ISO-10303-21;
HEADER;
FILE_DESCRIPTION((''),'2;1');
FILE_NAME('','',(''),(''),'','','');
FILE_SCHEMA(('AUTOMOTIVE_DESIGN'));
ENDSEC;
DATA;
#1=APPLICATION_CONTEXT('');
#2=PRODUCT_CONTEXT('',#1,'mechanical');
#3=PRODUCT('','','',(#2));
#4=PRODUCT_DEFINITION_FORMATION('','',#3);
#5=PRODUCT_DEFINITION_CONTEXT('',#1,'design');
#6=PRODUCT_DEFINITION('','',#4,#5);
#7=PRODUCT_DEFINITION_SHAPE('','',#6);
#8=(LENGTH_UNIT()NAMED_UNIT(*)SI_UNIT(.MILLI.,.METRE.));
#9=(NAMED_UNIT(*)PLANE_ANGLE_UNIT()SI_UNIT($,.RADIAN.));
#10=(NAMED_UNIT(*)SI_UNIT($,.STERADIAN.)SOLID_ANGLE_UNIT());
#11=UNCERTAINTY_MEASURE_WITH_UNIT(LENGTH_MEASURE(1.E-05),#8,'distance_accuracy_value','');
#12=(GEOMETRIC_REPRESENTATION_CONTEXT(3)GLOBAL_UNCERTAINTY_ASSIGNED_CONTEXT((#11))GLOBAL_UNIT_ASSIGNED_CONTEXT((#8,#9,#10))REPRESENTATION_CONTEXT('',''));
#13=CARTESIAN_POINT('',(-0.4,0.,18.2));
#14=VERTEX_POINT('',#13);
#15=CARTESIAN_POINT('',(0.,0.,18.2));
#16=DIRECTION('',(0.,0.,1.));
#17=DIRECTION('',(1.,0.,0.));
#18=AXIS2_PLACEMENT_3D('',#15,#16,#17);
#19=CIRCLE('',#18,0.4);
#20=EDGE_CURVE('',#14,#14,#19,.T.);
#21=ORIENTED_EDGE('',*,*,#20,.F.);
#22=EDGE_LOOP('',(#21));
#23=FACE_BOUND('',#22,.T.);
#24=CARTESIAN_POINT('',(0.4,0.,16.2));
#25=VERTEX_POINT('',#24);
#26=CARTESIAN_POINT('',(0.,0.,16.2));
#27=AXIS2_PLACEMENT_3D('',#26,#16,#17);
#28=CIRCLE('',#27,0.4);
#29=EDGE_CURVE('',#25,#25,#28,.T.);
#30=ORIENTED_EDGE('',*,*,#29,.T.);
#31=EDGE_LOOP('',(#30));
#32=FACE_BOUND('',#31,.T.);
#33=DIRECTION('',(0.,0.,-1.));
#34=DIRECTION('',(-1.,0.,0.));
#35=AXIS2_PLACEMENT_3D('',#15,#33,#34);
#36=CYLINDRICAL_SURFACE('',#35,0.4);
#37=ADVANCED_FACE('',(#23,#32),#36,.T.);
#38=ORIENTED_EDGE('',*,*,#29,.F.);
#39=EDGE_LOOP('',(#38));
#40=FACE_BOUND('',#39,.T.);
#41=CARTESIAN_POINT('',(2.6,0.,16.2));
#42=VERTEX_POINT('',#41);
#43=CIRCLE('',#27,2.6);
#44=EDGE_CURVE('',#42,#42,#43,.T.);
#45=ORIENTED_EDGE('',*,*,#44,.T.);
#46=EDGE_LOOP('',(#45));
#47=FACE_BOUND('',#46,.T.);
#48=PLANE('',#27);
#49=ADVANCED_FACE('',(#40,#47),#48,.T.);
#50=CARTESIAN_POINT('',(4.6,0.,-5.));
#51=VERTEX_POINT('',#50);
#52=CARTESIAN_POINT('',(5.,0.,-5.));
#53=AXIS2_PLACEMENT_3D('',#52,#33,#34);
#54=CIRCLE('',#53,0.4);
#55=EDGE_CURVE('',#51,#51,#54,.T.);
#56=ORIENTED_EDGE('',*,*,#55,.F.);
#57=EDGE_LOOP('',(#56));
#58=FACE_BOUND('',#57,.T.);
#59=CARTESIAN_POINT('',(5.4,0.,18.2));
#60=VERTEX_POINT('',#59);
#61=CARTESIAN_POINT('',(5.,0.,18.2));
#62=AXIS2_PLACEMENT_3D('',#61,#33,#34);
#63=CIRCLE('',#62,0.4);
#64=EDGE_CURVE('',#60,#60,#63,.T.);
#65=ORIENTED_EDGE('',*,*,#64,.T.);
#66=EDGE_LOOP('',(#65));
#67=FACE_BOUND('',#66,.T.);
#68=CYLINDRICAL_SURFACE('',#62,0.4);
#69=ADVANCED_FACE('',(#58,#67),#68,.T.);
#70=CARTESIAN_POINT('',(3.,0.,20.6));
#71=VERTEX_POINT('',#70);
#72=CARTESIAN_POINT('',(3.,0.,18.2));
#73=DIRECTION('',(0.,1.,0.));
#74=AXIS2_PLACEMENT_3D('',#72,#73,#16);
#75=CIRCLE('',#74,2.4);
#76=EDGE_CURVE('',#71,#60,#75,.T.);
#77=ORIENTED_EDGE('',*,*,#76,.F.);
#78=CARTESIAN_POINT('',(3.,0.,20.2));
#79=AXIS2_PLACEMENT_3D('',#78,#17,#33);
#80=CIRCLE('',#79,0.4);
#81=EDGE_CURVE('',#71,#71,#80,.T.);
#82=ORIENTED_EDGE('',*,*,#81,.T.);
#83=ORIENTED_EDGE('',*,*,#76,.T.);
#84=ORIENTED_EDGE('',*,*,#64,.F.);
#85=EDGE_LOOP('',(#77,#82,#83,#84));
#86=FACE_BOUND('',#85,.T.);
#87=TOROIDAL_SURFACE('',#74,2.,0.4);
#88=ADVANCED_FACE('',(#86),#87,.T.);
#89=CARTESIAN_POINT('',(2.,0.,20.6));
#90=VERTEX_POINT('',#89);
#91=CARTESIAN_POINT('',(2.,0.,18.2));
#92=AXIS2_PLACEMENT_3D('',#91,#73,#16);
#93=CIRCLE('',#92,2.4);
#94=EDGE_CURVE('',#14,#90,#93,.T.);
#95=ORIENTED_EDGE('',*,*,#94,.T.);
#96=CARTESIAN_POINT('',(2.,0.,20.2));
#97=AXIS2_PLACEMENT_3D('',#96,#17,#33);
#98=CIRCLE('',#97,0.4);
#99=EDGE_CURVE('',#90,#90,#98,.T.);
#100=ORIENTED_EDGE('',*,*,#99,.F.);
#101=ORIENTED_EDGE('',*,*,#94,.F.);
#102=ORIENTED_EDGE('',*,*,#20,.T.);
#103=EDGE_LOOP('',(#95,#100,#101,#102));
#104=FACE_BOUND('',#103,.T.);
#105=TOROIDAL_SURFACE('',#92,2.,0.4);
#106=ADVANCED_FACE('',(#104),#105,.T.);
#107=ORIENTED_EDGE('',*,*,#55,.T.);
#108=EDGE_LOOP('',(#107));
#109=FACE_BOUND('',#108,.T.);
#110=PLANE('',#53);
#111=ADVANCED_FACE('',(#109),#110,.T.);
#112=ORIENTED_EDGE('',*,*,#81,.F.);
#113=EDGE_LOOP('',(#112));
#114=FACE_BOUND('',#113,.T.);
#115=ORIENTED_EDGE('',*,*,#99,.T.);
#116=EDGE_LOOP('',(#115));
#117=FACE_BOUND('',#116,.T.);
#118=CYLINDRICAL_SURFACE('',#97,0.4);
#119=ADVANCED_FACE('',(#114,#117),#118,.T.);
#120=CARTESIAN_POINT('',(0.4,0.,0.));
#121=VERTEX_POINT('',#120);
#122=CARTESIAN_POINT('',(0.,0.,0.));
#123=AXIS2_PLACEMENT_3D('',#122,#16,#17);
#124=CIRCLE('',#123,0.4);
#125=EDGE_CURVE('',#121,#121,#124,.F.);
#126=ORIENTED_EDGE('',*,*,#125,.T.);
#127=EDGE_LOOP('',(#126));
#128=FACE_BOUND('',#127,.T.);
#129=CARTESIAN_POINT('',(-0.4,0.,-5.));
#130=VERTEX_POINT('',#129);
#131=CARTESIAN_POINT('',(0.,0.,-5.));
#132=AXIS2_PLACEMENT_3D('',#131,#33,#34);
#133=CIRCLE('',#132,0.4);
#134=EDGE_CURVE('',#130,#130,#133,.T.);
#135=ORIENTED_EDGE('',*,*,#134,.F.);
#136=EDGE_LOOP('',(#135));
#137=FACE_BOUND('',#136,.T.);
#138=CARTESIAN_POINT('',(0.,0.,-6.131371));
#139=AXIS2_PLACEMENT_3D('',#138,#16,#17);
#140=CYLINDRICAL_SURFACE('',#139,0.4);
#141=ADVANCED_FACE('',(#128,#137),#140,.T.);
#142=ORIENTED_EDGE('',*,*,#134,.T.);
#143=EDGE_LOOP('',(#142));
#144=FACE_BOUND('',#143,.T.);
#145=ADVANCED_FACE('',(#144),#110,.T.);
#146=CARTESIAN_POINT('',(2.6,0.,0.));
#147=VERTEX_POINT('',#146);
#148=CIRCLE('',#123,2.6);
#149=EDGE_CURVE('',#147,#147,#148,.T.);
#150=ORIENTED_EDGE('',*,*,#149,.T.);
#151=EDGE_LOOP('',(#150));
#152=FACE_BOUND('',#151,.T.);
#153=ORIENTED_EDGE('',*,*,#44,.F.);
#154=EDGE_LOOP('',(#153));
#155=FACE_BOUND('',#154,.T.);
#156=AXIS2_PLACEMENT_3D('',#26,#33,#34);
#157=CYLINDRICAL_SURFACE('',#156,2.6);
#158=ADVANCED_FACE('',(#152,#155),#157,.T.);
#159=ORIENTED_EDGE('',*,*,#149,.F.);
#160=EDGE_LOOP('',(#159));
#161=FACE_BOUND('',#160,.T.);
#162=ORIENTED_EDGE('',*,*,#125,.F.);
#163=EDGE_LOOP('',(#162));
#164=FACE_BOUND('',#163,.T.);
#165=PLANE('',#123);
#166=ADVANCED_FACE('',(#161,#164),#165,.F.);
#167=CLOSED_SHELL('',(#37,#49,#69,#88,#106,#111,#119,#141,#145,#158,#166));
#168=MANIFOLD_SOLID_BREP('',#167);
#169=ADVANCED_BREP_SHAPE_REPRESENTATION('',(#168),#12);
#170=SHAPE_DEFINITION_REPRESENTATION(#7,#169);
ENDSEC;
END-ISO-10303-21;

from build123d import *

# Parameters (mm, degrees)
SKETCH2_R           = 2.6
RESISTOR_BODY_DEPTH = 16.2
LEAD1_PROFILE_R     = 0.4
SKETCH6_R           = 0.4
LEAD2_DEPTH         = 5


with BuildPart() as part:
    # Sketch2 → Resistor Body (new body)
    with BuildSketch(Plane.XY):
        Circle(SKETCH2_R)
    extrude(amount=RESISTOR_BODY_DEPTH)

    # Lead1: sweep along a path in Lead1 Path
    with BuildLine(Plane(origin=(0, 0, 0), x_dir=(1, 0, 0), z_dir=(0, 1, 0))) as lead1_path:
        Line((0, -16.2), (0, -18.2))
        ThreePointArc((0, -18.2), (0.585786438, -19.614213562), (2, -20.2))
        Line((2, -20.2), (3, -20.2))
        ThreePointArc((3, -20.2), (4.414213562, -19.614213562), (5, -18.2))
        Line((5, -18.2), (5, 5))
    # Lead1 Profile → Lead1 (sweep)
    with BuildSketch(Plane(origin=(0, 0, 16.2), x_dir=(-1, 0, 0), z_dir=(0, 0, 1))):
        Circle(LEAD1_PROFILE_R)
    sweep(path=lead1_path.line)

    # Sketch6 → Lead2 (add)
    with BuildSketch(Plane(origin=(0, 0, 0), x_dir=(1, 0, 0), z_dir=(0, 0, -1))):
        Circle(SKETCH6_R)
    extrude(amount=LEAD2_DEPTH)


solid = part.part
